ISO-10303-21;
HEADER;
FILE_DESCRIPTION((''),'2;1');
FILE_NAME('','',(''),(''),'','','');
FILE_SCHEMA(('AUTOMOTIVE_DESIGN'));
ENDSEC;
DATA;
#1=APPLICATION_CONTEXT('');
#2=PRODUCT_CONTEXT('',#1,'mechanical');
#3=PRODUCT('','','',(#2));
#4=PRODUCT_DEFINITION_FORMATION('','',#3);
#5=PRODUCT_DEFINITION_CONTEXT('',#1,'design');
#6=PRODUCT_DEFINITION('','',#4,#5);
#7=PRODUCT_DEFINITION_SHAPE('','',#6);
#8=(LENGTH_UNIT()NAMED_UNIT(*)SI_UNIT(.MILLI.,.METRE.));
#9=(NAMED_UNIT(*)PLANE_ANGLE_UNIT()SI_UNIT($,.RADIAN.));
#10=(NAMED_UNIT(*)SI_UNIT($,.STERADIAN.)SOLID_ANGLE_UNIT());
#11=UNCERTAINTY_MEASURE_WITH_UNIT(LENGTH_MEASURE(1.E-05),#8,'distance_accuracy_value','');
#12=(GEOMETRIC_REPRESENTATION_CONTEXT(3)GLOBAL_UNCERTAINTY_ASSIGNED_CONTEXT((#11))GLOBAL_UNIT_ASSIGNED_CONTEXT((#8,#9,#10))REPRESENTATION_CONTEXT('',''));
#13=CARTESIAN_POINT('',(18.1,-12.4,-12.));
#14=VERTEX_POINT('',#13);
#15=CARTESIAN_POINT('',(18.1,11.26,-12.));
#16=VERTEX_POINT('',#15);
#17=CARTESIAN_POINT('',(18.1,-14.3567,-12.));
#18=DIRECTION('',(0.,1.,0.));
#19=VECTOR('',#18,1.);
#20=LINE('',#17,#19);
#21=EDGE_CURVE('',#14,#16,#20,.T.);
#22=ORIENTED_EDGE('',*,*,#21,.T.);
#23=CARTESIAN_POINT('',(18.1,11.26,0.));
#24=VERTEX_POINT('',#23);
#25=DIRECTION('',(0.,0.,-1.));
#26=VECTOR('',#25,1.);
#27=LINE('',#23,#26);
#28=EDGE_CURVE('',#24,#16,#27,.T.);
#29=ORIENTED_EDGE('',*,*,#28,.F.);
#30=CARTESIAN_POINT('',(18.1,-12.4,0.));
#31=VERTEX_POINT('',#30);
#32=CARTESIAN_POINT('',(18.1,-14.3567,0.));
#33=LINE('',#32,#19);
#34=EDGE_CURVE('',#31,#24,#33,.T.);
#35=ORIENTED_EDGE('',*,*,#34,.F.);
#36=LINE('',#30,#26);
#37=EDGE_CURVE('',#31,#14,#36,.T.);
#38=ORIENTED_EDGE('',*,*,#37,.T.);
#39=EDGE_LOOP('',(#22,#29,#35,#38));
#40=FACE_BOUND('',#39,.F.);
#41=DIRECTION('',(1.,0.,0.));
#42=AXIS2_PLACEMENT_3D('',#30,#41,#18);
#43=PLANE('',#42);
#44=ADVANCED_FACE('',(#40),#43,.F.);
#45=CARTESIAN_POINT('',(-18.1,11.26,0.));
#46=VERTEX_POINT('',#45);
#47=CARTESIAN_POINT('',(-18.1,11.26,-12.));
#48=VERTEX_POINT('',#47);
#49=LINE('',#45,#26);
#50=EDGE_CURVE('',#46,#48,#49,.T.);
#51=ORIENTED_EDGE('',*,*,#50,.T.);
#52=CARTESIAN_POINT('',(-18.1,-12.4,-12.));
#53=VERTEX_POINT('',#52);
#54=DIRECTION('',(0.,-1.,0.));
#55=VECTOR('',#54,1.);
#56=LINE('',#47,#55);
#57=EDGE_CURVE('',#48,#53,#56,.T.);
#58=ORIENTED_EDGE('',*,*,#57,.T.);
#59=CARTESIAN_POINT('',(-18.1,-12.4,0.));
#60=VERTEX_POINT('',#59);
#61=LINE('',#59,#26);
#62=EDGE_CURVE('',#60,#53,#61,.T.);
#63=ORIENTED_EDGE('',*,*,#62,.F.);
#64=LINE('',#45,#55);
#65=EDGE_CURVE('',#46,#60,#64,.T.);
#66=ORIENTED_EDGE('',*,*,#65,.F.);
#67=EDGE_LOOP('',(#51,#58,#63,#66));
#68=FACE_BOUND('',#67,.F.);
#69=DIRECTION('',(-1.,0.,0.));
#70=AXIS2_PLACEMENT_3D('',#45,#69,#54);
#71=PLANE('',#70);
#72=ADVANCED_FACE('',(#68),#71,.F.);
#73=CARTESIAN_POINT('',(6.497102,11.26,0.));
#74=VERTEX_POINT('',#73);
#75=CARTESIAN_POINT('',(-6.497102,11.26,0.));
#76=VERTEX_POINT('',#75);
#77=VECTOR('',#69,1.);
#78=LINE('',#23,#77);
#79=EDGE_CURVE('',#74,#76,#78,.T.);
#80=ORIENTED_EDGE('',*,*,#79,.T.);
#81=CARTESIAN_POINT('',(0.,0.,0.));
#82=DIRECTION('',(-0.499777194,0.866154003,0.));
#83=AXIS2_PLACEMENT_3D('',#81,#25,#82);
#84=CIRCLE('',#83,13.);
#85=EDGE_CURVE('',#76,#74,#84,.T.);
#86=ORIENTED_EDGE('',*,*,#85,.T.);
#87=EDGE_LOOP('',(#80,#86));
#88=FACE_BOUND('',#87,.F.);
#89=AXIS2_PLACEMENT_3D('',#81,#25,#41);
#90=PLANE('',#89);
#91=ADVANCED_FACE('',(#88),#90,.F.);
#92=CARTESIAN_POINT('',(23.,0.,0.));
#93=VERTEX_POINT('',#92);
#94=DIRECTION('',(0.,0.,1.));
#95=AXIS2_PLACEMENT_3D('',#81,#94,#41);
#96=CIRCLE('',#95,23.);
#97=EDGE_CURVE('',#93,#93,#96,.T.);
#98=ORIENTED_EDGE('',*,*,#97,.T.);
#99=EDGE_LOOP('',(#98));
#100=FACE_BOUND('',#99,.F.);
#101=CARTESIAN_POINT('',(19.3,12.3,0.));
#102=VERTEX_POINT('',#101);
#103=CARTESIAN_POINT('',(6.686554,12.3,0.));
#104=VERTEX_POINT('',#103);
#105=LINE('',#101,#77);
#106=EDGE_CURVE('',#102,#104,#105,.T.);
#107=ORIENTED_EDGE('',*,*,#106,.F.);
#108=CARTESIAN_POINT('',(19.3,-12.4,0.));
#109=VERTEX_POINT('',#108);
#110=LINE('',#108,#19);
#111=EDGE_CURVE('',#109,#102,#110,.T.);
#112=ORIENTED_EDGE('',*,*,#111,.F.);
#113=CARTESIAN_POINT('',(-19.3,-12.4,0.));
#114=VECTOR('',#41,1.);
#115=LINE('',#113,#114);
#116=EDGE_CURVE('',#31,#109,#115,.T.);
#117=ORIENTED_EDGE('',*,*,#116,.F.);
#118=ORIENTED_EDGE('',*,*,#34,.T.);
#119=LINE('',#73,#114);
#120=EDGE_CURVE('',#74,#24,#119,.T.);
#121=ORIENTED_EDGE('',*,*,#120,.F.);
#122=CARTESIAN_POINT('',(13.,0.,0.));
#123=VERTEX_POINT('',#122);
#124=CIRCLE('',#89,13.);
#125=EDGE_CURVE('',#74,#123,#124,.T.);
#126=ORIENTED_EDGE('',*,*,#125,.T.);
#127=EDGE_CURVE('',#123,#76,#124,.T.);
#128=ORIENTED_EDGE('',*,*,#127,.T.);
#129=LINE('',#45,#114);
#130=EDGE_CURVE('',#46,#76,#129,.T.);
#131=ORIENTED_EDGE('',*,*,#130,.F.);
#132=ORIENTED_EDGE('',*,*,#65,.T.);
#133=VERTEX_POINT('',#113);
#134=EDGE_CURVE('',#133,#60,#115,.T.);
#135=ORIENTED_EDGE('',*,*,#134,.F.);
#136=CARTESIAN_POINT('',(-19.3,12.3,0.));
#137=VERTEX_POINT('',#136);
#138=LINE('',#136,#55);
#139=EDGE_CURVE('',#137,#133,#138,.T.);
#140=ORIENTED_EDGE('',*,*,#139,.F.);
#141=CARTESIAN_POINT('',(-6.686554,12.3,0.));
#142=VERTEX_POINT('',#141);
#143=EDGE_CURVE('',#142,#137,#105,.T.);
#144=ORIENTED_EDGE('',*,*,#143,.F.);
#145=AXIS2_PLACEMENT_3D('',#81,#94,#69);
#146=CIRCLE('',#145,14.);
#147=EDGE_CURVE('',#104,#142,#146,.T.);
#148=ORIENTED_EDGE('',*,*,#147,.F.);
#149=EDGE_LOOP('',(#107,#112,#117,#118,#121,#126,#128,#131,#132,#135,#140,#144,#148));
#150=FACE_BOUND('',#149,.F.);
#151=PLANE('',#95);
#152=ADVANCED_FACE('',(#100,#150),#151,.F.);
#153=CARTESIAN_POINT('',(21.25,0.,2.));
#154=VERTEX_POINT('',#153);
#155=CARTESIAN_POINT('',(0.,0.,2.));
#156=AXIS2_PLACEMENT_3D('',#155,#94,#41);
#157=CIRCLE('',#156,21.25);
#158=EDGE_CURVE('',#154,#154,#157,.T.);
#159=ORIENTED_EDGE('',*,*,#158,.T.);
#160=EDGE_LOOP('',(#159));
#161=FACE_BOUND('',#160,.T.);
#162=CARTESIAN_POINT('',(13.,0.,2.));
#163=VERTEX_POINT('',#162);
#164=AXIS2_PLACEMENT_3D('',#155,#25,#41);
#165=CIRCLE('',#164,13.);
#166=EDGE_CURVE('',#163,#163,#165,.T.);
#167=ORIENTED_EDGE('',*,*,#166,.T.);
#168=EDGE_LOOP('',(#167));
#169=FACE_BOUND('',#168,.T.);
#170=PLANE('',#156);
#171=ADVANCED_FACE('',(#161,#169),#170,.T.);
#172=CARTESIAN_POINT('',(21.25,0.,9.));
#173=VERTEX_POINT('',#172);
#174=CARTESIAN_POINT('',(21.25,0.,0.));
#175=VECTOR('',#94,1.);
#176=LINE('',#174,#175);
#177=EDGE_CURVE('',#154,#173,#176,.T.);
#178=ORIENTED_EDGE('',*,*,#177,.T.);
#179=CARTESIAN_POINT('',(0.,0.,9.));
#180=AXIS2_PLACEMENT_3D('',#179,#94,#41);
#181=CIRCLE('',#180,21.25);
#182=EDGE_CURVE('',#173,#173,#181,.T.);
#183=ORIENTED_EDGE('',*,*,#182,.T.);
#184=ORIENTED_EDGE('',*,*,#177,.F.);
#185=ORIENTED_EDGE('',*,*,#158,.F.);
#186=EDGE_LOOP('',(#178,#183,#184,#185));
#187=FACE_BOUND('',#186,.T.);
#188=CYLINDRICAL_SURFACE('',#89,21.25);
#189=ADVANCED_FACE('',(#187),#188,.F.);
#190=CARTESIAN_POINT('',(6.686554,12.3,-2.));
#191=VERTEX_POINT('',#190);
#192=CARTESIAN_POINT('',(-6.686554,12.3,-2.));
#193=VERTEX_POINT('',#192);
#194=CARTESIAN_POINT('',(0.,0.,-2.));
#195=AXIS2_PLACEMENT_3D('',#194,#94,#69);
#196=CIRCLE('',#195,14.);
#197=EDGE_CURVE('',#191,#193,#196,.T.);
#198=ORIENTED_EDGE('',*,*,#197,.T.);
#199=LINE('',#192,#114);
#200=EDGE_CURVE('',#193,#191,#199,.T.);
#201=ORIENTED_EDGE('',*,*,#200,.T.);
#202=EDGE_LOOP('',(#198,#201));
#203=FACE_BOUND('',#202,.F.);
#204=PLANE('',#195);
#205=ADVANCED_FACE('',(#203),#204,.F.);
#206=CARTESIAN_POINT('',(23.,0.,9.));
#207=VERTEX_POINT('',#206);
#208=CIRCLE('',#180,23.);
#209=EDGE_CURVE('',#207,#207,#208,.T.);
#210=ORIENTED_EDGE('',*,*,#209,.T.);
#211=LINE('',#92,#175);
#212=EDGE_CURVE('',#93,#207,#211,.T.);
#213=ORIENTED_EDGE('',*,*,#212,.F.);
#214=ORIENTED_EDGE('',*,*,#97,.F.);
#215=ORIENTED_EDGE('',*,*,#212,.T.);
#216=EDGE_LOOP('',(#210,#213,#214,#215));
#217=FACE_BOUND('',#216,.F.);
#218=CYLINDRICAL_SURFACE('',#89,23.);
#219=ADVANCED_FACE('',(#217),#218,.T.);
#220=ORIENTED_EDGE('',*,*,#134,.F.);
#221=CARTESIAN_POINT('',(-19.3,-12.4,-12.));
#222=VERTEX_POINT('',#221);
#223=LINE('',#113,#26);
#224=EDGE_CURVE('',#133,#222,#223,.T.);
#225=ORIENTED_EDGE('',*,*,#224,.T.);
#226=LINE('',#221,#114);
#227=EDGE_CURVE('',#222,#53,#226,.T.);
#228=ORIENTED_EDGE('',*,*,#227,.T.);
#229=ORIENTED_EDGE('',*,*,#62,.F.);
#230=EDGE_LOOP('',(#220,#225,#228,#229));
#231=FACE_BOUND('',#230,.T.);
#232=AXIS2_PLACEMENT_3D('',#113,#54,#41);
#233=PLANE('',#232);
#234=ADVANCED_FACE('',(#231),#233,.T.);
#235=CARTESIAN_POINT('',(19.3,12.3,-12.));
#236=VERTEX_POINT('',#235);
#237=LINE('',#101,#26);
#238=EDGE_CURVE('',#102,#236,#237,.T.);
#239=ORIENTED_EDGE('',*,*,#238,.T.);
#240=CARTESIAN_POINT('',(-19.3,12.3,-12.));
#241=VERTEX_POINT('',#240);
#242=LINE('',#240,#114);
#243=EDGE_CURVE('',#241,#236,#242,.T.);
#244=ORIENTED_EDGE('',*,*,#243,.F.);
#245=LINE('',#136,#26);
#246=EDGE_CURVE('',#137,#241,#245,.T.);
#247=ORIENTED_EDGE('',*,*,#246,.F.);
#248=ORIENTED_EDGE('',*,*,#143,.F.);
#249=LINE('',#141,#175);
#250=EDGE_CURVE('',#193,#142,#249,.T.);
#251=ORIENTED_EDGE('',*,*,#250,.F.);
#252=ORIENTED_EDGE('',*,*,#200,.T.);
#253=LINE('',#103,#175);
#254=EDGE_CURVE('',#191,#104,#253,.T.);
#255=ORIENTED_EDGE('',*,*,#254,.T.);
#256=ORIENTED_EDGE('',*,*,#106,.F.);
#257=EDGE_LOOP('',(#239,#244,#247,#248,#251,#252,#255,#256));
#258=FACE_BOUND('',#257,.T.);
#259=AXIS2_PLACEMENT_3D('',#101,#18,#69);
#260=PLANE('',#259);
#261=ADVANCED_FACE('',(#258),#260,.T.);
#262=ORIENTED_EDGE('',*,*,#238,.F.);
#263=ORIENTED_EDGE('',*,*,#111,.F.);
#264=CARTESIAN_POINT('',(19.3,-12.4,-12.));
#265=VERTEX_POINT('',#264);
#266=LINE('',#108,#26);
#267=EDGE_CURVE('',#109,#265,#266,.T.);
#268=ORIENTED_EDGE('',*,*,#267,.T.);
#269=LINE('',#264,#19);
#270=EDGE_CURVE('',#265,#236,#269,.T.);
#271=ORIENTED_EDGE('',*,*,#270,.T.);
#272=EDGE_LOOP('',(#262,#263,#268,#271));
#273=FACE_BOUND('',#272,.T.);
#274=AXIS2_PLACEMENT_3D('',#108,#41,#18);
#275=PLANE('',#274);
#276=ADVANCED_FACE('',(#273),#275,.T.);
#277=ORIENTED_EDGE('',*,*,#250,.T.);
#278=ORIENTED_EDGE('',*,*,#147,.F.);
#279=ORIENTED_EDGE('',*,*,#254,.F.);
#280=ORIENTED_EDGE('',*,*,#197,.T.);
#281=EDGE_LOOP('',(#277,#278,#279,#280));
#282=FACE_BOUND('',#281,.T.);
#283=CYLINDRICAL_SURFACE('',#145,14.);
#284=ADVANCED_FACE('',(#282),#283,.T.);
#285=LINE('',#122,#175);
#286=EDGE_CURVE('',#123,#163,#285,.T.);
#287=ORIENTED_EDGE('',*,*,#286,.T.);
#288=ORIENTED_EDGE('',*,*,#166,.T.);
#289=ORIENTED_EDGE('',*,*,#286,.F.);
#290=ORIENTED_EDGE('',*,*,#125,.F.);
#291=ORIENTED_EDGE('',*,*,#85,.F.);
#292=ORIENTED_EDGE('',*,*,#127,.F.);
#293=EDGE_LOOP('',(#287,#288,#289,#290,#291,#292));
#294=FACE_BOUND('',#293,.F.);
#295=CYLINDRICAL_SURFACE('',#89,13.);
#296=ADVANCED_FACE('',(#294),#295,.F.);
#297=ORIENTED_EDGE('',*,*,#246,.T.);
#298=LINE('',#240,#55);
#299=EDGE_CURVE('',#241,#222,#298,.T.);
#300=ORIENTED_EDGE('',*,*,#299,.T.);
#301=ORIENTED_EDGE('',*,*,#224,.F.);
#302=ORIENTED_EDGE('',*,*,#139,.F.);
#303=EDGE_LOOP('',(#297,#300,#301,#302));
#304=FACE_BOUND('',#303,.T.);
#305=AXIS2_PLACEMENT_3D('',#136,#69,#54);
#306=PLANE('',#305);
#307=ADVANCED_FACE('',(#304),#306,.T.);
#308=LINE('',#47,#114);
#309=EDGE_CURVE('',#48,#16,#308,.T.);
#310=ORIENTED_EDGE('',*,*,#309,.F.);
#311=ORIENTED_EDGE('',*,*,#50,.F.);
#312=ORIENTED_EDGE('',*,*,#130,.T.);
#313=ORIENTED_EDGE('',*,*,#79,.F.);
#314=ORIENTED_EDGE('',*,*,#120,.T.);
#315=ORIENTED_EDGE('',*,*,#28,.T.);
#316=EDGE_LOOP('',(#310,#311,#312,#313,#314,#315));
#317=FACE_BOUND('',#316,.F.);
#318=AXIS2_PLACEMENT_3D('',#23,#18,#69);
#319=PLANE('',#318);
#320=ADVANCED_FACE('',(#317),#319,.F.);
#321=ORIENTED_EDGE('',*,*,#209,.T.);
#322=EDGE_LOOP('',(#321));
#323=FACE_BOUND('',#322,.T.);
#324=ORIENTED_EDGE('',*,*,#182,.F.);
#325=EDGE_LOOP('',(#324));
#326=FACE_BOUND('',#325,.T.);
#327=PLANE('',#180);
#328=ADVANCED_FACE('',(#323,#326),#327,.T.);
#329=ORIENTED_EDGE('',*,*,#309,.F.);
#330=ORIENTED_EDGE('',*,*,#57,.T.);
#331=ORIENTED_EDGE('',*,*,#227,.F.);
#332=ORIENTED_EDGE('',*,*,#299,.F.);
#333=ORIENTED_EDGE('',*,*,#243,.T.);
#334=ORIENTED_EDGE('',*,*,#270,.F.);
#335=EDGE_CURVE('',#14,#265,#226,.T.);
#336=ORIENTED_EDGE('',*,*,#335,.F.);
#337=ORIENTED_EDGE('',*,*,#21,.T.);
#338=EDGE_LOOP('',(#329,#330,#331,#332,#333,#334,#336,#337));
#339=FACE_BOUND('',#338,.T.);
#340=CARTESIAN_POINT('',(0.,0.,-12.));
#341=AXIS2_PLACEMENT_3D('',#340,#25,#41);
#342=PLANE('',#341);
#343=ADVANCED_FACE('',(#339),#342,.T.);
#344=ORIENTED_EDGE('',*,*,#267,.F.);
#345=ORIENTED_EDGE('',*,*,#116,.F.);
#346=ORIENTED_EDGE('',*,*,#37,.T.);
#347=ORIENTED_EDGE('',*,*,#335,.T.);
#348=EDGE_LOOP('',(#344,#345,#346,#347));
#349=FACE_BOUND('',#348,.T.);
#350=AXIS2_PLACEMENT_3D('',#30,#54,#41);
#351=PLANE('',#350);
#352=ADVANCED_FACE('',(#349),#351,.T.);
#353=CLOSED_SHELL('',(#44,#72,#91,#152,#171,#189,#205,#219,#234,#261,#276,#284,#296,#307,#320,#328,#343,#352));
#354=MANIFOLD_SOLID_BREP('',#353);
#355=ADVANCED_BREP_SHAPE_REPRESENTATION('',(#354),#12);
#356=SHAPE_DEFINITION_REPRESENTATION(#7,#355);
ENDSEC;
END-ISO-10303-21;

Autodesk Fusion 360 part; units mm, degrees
sketch "スケッチ1" plane through (0, 0, 0) normal (0, 0, 1) x (1, 0, 0)
  circle A0 centre (0, 0) radius 23
  circle A1 centre (0, 0) radius 21.25
  dimension "d1" = 46
  dimension "d2" = 42.5
extrude "押し出し1" add sketch "スケッチ1" along normal blind 2 contours A1
extrude "押し出し2" add sketch "スケッチ1" along normal blind 9
sketch "スケッチ2" plane through (0, 0, 0) normal (0, 0, -1) x (1, 0, 0)
  circle A0 centre (0, 0) radius 23
  circle A1 centre (0, 0) radius 13
  dimension "d7" = 26
extrude "押し出し3" cut sketch "スケッチ2" against normal blind 3 contours A1
sketch "スケッチ3" plane through (0, 0, 0) normal (0, 0, -1) x (1, 0, 0)
  circle A0 centre (0, 0) radius 13
  circle A1 centre (0, 0) radius 23
  line L0 (18.1, -11.26) -> (-18.1, -11.26)
  line L1 (-18.1, -11.26) -> (-18.1, 14.3567)
  line L2 (-18.1, 14.3567) -> (18.1, 14.3567)
  line L3 (18.1, 14.3567) -> (18.1, -11.26)
  line L4 (19.3, -12.3) -> (-19.3, -12.3)
  line L5 (-19.3, -12.3) -> (-19.3, 12.4)
  line L6 (-19.3, 12.4) -> (19.3, 12.4)
  line L7 (19.3, 12.4) -> (19.3, -12.3)
  dimension "d10" = 11.26
  dimension "d11" = 18.1
  dimension "d12" = 18.1
  dimension "d13" = 12.3
  dimension "d14" = 19.3
  dimension "d15" = 19.3
  dimension "d16" = 12.4
extrude "押し出し4" add sketch "スケッチ3" along normal blind 12 contours A0 L0 L3 L4 L6 L7 | A0 L0 L4 | A0 L0 L1 L4 L5 L6
sketch "スケッチ4" plane through (0, 0, 0) normal (0, 0, 1) x (-1, 0, 0)
  arc A0 (4.2083, -12.3) -> (6.4971, -11.26) centre (0, 0) ccw
  line L0 (6.4971, -11.26) -> (-6.4971, -11.26)
  arc A1 (-6.4971, -11.26) -> (-4.2083, -12.3) centre (0, 0) ccw
  line L1 (-4.2083, -12.3) -> (4.2083, -12.3)
  line L2 (8.6335, -10.0758) -> (-7.7138, -10.0758)
  line L3 (-7.7138, -10.0758) -> (-7.7138, -15.2171)
  line L4 (-7.7138, -15.2171) -> (8.6335, -15.2171)
  line L5 (8.6335, -15.2171) -> (8.6335, -10.0758)
  circle A2 centre (0, 0) radius 13
  circle A3 centre (0, 0) radius 14
  line L6 (9.1438, -11.26) -> (-8.6053, -11.26)
  dimension "d19" = 26
  dimension "d20" = 28
extrude "押し出し5" add sketch "スケッチ4" against normal blind 2 contours L1 A2 | A0 A1 L3 A2 A3 L6
